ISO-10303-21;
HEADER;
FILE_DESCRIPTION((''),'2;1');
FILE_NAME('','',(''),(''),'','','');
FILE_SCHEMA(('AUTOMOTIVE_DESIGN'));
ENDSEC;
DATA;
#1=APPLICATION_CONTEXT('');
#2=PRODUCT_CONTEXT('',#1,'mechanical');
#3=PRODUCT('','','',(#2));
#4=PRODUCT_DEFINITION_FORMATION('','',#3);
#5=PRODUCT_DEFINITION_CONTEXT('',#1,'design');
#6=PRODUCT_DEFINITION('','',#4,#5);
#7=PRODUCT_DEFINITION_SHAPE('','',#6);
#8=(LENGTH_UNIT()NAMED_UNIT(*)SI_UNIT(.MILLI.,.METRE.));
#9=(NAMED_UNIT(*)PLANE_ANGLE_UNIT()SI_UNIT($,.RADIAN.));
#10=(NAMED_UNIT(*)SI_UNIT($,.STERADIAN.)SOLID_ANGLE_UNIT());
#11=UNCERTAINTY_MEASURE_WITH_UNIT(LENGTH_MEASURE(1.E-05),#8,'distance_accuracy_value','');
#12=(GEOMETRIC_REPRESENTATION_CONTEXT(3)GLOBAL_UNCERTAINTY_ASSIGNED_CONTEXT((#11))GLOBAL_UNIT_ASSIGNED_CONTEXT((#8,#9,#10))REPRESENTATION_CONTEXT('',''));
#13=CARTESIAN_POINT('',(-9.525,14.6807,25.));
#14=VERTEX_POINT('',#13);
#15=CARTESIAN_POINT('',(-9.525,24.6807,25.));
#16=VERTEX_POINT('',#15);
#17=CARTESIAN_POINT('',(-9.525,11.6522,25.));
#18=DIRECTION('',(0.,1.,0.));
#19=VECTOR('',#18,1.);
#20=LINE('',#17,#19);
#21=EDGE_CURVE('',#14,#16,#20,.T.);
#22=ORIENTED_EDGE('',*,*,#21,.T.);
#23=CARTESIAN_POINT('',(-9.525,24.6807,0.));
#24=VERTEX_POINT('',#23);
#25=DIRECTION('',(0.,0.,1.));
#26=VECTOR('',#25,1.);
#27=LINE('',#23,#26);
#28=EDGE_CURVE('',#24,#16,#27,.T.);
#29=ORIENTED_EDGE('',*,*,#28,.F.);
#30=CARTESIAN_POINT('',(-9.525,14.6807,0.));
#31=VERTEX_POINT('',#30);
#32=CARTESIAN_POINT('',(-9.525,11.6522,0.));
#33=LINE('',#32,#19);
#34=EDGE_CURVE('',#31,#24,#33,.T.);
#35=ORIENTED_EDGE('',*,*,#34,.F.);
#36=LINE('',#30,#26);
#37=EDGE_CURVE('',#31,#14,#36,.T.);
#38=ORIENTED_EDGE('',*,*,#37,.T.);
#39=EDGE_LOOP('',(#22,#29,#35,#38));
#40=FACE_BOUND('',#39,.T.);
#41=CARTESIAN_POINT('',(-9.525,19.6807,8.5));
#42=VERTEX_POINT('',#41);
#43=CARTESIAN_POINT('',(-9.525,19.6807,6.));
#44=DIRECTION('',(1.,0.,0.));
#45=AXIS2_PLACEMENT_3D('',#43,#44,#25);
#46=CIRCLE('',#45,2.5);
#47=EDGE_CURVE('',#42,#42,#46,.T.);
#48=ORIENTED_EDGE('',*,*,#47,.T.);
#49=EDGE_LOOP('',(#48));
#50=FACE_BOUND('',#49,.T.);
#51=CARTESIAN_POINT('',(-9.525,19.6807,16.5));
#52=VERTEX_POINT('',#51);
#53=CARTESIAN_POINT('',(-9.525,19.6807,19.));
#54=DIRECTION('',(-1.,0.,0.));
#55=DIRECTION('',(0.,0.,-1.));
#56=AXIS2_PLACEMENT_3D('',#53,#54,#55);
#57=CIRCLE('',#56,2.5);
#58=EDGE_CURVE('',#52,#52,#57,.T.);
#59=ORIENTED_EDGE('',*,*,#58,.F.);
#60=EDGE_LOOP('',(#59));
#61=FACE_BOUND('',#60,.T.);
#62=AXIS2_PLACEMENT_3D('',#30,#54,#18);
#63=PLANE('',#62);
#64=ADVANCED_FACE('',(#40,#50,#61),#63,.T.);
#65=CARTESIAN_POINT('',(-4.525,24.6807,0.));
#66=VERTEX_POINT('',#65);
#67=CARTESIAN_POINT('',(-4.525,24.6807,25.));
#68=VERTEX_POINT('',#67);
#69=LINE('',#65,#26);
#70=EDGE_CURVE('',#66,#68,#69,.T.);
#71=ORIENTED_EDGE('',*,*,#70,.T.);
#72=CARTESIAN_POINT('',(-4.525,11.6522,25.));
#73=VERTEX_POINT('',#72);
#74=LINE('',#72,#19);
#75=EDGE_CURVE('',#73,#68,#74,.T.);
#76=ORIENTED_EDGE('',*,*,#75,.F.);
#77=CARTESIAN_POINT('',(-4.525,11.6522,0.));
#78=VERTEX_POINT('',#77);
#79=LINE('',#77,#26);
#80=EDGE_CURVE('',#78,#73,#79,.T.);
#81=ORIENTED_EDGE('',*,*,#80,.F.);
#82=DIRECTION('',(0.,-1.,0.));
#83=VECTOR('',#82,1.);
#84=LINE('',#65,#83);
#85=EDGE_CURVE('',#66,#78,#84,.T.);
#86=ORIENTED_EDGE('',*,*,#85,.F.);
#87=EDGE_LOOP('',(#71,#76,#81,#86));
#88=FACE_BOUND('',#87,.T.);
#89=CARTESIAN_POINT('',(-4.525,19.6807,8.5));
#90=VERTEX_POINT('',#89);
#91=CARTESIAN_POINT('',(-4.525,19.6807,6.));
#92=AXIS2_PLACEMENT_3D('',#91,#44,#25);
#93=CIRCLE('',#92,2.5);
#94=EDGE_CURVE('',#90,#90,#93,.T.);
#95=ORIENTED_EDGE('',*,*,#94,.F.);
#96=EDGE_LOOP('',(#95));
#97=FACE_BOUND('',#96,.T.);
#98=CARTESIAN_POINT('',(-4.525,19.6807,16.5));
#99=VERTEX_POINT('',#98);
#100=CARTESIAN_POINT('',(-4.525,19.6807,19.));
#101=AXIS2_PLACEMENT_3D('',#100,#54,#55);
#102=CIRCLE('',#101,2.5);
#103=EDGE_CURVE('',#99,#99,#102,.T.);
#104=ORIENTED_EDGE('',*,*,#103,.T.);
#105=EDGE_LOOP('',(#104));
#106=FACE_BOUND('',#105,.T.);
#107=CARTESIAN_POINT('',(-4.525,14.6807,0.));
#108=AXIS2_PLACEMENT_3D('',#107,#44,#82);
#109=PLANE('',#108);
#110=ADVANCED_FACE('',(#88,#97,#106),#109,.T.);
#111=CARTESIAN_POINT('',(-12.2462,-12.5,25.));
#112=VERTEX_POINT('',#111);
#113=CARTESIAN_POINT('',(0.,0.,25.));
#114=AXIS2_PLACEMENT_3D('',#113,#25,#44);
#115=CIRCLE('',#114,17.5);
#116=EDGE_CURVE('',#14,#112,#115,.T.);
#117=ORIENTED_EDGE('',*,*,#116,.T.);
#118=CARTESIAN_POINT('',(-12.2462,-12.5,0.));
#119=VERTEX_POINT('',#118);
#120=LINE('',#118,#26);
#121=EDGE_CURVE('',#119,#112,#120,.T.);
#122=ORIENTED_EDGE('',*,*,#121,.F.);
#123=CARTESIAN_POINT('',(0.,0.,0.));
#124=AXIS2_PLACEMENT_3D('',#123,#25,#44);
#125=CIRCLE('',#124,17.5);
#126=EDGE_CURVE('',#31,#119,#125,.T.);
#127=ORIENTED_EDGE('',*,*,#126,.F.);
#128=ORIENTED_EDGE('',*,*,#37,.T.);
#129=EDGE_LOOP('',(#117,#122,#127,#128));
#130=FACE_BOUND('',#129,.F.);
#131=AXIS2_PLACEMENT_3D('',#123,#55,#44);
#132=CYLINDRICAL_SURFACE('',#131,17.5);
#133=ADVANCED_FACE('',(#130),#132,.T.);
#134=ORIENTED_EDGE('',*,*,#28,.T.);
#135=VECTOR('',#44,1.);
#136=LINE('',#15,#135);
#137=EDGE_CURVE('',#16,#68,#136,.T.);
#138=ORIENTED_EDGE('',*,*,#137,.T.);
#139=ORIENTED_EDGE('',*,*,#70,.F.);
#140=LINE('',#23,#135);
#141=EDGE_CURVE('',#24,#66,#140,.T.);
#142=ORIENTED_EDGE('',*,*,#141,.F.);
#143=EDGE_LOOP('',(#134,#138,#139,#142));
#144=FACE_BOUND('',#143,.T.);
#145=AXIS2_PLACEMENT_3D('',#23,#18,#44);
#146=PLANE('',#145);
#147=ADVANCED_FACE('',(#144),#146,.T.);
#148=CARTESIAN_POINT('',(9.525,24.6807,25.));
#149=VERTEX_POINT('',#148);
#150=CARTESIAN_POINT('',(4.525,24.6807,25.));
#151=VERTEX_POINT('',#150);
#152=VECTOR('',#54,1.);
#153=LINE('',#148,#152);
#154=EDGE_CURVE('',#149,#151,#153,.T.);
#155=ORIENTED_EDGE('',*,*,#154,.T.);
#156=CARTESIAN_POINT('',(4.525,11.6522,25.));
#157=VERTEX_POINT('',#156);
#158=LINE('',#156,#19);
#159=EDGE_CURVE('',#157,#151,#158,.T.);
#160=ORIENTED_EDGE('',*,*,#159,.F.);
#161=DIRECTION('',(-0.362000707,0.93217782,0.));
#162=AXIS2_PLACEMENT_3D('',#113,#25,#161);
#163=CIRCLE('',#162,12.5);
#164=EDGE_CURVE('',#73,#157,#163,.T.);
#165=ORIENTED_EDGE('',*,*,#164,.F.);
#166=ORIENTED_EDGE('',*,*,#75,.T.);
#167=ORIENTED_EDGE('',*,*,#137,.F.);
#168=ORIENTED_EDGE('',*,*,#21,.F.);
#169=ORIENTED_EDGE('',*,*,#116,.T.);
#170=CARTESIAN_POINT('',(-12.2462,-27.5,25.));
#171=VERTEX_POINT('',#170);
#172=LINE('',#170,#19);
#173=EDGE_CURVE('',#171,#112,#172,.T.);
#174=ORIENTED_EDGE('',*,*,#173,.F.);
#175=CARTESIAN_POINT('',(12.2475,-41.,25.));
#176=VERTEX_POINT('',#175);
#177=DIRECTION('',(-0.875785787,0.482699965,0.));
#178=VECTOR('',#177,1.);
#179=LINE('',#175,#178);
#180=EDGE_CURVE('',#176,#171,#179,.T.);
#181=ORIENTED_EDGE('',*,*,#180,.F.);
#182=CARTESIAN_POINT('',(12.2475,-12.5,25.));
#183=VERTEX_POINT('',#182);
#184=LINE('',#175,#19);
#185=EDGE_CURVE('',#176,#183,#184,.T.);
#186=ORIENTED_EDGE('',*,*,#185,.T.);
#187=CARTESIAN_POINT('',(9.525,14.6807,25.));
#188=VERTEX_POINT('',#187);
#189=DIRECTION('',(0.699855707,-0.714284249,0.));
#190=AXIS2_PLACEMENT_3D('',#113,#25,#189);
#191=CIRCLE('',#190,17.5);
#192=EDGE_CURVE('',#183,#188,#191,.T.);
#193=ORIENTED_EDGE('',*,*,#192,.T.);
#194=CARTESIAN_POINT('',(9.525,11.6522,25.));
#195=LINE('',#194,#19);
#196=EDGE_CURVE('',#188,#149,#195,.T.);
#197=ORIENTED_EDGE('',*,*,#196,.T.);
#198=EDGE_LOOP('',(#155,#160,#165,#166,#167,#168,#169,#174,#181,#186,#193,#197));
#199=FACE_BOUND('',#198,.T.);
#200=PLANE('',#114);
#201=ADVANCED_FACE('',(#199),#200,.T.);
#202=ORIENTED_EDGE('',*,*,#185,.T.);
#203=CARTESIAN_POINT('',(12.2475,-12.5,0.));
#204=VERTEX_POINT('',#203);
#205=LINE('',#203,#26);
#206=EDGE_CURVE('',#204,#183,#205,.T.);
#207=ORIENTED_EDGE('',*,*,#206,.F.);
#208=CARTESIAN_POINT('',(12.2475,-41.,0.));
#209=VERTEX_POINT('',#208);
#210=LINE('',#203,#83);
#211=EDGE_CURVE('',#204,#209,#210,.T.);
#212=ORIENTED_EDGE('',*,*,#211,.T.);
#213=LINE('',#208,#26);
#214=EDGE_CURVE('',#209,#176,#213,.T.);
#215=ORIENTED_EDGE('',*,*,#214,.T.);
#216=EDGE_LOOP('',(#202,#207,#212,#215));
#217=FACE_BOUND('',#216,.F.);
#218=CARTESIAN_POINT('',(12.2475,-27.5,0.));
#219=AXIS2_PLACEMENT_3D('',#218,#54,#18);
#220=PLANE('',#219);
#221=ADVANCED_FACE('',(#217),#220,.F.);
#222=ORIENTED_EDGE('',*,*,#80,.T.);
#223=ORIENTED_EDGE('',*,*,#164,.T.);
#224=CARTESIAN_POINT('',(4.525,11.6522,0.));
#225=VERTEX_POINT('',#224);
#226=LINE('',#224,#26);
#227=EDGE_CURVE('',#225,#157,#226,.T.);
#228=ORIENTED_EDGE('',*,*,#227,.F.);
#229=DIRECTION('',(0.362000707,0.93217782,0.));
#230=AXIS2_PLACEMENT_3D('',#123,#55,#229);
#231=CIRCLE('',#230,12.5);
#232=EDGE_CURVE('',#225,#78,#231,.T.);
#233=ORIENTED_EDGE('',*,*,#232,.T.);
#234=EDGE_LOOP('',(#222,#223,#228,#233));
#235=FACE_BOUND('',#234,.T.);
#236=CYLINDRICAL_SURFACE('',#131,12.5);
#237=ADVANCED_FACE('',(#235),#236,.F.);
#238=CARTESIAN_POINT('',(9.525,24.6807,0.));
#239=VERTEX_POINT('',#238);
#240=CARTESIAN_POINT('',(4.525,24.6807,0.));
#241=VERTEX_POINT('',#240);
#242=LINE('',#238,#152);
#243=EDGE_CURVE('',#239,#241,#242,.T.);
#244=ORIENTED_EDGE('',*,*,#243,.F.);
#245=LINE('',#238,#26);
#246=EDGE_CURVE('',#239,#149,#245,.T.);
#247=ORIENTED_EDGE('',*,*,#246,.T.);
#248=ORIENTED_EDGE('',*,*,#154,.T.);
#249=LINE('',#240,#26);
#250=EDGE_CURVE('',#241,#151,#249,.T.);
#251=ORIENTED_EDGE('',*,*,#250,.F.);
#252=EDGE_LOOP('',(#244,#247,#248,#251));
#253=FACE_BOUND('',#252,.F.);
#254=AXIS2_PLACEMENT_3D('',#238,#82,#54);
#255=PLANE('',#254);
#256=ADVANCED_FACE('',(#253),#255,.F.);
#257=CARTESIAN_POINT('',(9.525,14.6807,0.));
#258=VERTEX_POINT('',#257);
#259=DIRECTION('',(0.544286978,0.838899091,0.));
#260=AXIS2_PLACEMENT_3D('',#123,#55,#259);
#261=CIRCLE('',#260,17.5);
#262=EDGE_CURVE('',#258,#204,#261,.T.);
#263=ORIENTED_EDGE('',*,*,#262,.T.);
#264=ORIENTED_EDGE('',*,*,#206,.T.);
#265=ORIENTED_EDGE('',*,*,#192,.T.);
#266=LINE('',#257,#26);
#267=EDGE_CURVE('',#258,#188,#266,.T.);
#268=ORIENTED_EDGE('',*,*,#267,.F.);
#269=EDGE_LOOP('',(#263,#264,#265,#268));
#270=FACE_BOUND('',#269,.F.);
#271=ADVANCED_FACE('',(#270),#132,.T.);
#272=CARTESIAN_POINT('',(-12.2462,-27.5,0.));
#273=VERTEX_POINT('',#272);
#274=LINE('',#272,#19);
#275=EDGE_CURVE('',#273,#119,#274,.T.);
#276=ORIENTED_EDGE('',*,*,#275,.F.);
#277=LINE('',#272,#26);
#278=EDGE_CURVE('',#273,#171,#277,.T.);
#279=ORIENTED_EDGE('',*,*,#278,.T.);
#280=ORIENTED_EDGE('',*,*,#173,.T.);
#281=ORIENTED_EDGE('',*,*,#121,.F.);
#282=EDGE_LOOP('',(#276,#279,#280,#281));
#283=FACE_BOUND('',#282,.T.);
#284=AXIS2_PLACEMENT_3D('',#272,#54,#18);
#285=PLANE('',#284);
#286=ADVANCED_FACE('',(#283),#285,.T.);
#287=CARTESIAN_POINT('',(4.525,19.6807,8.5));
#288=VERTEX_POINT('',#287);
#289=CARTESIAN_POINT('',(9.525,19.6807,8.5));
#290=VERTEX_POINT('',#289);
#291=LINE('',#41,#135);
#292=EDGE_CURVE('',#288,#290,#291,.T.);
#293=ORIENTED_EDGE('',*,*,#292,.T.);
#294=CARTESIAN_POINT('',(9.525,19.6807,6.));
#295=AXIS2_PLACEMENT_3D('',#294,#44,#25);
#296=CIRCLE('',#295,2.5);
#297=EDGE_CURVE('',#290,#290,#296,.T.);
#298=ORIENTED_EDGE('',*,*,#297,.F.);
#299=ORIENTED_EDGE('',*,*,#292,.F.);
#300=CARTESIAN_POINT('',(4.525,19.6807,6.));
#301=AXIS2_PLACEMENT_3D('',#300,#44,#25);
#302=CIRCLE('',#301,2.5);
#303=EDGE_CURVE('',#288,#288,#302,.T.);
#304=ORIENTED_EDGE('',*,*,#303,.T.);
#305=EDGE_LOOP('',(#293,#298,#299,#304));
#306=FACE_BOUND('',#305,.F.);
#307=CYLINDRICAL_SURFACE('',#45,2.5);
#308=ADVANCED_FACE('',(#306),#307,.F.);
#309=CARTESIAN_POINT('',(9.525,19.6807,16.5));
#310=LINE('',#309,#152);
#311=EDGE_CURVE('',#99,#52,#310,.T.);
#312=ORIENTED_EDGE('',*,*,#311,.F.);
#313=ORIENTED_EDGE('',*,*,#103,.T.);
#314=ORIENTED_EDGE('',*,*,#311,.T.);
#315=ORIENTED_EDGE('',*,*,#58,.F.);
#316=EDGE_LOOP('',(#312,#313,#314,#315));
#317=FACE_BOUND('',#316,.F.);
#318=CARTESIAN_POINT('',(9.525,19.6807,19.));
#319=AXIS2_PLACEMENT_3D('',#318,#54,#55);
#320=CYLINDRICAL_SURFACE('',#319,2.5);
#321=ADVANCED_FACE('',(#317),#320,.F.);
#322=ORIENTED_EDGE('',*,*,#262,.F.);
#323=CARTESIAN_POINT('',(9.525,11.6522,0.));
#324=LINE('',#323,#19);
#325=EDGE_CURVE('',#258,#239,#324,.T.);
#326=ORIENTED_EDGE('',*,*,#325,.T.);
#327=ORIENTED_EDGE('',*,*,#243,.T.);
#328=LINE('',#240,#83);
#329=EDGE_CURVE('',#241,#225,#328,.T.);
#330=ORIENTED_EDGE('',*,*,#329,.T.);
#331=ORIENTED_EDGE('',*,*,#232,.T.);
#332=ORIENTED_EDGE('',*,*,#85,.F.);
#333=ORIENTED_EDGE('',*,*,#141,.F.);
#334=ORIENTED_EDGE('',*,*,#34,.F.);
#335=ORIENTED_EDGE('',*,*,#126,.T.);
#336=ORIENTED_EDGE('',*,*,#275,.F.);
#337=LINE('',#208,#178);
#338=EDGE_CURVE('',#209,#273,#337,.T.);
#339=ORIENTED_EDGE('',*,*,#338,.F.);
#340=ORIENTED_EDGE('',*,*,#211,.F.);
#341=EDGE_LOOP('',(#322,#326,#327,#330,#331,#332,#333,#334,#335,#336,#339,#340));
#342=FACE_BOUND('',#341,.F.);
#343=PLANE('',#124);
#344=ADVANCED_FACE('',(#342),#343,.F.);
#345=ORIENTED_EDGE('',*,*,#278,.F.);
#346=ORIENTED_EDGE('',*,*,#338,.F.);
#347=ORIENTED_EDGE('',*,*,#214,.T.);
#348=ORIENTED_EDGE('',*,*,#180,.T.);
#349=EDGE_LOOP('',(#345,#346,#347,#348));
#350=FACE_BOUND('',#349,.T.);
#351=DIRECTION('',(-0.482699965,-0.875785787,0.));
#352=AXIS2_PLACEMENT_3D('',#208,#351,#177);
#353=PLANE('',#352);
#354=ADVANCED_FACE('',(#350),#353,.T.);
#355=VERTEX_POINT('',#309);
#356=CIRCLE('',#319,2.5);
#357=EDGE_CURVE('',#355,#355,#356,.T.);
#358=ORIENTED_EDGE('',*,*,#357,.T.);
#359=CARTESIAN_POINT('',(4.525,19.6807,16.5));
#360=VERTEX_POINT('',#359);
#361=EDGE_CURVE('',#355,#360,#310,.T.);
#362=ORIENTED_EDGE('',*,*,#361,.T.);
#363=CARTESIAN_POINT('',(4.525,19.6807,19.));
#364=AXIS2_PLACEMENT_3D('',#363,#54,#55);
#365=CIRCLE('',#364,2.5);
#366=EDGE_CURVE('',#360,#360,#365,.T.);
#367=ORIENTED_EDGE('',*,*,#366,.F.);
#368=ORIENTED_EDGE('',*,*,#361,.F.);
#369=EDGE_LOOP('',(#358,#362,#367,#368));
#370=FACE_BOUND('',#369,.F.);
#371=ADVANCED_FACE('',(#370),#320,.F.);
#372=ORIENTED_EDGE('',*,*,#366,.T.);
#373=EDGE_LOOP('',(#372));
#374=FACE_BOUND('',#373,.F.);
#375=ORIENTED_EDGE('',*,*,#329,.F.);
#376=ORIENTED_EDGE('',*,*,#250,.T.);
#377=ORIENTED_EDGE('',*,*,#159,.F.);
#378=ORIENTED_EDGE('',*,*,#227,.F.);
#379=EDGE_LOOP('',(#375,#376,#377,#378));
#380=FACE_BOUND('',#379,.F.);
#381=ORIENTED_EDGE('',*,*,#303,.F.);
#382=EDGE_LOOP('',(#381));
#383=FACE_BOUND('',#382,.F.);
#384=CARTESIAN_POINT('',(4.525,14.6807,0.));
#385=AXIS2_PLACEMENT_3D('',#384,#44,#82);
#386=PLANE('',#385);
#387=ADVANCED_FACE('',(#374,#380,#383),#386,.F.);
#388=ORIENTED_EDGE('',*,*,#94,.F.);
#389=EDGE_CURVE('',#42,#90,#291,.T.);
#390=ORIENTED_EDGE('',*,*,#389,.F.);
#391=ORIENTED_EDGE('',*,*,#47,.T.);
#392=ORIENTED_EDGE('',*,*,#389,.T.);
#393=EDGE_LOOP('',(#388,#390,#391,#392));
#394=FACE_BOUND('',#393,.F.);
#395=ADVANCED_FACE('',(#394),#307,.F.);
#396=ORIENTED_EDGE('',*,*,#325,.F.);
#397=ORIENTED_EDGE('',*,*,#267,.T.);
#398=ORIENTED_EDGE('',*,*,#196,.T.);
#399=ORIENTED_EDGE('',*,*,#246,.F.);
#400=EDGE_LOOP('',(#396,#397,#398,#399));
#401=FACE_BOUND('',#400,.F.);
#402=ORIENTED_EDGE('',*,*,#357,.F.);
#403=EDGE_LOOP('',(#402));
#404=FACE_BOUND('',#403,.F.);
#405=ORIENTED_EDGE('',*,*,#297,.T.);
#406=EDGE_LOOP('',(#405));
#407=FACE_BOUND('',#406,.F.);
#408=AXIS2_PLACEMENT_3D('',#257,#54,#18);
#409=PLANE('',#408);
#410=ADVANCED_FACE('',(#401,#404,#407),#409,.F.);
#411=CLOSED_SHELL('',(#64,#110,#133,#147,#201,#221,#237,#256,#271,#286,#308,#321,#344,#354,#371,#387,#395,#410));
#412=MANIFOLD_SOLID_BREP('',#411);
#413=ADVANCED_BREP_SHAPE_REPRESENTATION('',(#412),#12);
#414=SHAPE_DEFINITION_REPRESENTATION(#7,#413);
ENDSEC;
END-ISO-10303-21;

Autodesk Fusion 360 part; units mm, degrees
sketch "Sketch1" plane through (0, 0, 0) normal (0, 0, 1) x (1, 0, 0)
  circle A0 centre (0, 0) radius 12.5
  circle A1 centre (0, 0) radius 17.5
  line L0 (-9.525, 14.6807) -> (9.525, 14.6807)
  line L1 (-4.525, 11.6522) -> (-9.525, 11.6522)
  line L2 (-9.525, 11.6522) -> (-9.525, 24.6807)
  line L3 (-9.525, 24.6807) -> (-4.525, 24.6807)
  line L4 (-4.525, 24.6807) -> (-4.525, 11.6522)
  line L5 (4.525, 11.6522) -> (9.525, 11.6522)
  line L6 (9.525, 11.6522) -> (9.525, 24.6807)
  line L7 (9.525, 24.6807) -> (4.525, 24.6807)
  line L8 (4.525, 24.6807) -> (4.525, 11.6522)
  line L9 (0.0006, -27.5) -> (12.2475, -27.5)
  line L10 (12.2475, -27.5) -> (12.2475, -12.5)
  line L11 (12.2475, -12.5) -> (0.0006, -12.5)
  line L12 (0.0006, -12.5) -> (0.0006, -27.5)
  line L13 (-12.2462, -27.5) -> (-12.2462, -12.5)
  line L14 (0.0006, -27.5) -> (-12.2462, -27.5)
  line L15 (-12.2462, -12.5) -> (0.0006, -12.5)
  line L16 (12.2475, -27.5) -> (12.2475, -41)
  line L17 (12.2475, -41) -> (-12.2462, -27.5)
  dimension "d1" = 25
  dimension "d2" = 35
  dimension "d3" = 19.05
  dimension "d4" = 10
  dimension "d5" = 5
  dimension "d6" = 5
  dimension "d7" = 10
  dimension "d18" = 12.2468
  dimension "d19" = 15
  dimension "d27" = 13.5
extrude "Extrude1" add sketch "Sketch1" along normal blind 25 contours A0 A1 L5 L6 L11 | L0 L5 L6 L8 | A0 A1 L1 L2 L15 | A1 L11 L12 | A1 L12 L15 | L0 L1 L2 L4 | A1 L0 L8 | A1 L9 L10 L12 | A1 L12 L13 L14 | A1 L0 L4 | A1 L6 L7 L8 | L9 L14 L16 L17 | A1 L2 L3 L4
hole "Hole1" at (9.525, 19.6807, 19) direction (-1, 0, 0) diameter 5 depth 20 tip angle 180
hole "Hole2" at (-9.525, 19.6807, 6) direction (1, 0, 0) diameter 5 depth 20 tip angle 180
equation "d6 = d5"
equation "d7 = d4"
